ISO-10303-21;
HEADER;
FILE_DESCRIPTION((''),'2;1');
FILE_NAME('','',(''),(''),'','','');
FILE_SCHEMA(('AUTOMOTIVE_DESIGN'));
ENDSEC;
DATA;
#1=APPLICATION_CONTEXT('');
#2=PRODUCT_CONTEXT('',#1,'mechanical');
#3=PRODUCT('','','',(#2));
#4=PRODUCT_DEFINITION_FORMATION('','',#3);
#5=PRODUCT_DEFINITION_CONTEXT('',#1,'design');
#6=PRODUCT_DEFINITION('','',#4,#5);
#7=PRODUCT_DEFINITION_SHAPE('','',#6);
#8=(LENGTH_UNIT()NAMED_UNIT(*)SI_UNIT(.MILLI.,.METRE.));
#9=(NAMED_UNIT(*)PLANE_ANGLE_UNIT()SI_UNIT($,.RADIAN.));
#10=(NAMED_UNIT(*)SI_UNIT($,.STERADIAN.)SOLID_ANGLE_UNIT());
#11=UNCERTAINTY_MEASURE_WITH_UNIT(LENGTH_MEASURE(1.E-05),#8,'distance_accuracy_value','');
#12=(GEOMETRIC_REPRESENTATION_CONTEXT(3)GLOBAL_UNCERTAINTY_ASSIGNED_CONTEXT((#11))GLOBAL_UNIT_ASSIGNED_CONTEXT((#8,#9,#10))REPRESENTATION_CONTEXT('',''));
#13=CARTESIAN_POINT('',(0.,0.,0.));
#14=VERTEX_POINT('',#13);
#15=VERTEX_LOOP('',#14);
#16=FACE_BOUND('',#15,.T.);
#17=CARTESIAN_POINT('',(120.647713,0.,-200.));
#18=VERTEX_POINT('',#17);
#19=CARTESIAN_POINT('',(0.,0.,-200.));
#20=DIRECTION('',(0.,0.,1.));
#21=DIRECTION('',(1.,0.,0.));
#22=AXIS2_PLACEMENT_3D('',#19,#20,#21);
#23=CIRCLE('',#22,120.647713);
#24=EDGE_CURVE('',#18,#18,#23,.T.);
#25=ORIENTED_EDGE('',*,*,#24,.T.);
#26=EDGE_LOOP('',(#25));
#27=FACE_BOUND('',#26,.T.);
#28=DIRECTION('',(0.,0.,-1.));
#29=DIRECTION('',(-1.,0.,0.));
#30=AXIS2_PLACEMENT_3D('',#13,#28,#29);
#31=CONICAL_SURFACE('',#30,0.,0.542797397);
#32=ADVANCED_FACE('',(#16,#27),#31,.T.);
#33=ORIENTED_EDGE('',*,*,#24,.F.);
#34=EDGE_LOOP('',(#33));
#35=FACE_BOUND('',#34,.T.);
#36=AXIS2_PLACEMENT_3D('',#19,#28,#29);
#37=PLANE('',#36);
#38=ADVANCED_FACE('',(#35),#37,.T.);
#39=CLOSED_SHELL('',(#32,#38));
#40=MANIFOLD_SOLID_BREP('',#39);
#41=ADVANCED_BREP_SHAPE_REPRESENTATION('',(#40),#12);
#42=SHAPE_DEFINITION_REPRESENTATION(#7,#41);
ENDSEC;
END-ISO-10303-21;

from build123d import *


with BuildPart() as part:
    # Sketch1 → Revolve2 (revolve)
    with BuildSketch(Plane(origin=(0, 0, 0), x_dir=(1, 0, 0), z_dir=(0, 1, 0)), mode=Mode.PRIVATE) as revolve2_sk:
        Polygon((0, 0), (0, 200), (120.647713349, 200), align=None)
    revolve(revolve2_sk.sketch.rotate(Axis((0, 0, 0), (0, 0, -1)), 180), axis=Axis((0, 0, 0), (0, 0, -1)))


solid = part.part
